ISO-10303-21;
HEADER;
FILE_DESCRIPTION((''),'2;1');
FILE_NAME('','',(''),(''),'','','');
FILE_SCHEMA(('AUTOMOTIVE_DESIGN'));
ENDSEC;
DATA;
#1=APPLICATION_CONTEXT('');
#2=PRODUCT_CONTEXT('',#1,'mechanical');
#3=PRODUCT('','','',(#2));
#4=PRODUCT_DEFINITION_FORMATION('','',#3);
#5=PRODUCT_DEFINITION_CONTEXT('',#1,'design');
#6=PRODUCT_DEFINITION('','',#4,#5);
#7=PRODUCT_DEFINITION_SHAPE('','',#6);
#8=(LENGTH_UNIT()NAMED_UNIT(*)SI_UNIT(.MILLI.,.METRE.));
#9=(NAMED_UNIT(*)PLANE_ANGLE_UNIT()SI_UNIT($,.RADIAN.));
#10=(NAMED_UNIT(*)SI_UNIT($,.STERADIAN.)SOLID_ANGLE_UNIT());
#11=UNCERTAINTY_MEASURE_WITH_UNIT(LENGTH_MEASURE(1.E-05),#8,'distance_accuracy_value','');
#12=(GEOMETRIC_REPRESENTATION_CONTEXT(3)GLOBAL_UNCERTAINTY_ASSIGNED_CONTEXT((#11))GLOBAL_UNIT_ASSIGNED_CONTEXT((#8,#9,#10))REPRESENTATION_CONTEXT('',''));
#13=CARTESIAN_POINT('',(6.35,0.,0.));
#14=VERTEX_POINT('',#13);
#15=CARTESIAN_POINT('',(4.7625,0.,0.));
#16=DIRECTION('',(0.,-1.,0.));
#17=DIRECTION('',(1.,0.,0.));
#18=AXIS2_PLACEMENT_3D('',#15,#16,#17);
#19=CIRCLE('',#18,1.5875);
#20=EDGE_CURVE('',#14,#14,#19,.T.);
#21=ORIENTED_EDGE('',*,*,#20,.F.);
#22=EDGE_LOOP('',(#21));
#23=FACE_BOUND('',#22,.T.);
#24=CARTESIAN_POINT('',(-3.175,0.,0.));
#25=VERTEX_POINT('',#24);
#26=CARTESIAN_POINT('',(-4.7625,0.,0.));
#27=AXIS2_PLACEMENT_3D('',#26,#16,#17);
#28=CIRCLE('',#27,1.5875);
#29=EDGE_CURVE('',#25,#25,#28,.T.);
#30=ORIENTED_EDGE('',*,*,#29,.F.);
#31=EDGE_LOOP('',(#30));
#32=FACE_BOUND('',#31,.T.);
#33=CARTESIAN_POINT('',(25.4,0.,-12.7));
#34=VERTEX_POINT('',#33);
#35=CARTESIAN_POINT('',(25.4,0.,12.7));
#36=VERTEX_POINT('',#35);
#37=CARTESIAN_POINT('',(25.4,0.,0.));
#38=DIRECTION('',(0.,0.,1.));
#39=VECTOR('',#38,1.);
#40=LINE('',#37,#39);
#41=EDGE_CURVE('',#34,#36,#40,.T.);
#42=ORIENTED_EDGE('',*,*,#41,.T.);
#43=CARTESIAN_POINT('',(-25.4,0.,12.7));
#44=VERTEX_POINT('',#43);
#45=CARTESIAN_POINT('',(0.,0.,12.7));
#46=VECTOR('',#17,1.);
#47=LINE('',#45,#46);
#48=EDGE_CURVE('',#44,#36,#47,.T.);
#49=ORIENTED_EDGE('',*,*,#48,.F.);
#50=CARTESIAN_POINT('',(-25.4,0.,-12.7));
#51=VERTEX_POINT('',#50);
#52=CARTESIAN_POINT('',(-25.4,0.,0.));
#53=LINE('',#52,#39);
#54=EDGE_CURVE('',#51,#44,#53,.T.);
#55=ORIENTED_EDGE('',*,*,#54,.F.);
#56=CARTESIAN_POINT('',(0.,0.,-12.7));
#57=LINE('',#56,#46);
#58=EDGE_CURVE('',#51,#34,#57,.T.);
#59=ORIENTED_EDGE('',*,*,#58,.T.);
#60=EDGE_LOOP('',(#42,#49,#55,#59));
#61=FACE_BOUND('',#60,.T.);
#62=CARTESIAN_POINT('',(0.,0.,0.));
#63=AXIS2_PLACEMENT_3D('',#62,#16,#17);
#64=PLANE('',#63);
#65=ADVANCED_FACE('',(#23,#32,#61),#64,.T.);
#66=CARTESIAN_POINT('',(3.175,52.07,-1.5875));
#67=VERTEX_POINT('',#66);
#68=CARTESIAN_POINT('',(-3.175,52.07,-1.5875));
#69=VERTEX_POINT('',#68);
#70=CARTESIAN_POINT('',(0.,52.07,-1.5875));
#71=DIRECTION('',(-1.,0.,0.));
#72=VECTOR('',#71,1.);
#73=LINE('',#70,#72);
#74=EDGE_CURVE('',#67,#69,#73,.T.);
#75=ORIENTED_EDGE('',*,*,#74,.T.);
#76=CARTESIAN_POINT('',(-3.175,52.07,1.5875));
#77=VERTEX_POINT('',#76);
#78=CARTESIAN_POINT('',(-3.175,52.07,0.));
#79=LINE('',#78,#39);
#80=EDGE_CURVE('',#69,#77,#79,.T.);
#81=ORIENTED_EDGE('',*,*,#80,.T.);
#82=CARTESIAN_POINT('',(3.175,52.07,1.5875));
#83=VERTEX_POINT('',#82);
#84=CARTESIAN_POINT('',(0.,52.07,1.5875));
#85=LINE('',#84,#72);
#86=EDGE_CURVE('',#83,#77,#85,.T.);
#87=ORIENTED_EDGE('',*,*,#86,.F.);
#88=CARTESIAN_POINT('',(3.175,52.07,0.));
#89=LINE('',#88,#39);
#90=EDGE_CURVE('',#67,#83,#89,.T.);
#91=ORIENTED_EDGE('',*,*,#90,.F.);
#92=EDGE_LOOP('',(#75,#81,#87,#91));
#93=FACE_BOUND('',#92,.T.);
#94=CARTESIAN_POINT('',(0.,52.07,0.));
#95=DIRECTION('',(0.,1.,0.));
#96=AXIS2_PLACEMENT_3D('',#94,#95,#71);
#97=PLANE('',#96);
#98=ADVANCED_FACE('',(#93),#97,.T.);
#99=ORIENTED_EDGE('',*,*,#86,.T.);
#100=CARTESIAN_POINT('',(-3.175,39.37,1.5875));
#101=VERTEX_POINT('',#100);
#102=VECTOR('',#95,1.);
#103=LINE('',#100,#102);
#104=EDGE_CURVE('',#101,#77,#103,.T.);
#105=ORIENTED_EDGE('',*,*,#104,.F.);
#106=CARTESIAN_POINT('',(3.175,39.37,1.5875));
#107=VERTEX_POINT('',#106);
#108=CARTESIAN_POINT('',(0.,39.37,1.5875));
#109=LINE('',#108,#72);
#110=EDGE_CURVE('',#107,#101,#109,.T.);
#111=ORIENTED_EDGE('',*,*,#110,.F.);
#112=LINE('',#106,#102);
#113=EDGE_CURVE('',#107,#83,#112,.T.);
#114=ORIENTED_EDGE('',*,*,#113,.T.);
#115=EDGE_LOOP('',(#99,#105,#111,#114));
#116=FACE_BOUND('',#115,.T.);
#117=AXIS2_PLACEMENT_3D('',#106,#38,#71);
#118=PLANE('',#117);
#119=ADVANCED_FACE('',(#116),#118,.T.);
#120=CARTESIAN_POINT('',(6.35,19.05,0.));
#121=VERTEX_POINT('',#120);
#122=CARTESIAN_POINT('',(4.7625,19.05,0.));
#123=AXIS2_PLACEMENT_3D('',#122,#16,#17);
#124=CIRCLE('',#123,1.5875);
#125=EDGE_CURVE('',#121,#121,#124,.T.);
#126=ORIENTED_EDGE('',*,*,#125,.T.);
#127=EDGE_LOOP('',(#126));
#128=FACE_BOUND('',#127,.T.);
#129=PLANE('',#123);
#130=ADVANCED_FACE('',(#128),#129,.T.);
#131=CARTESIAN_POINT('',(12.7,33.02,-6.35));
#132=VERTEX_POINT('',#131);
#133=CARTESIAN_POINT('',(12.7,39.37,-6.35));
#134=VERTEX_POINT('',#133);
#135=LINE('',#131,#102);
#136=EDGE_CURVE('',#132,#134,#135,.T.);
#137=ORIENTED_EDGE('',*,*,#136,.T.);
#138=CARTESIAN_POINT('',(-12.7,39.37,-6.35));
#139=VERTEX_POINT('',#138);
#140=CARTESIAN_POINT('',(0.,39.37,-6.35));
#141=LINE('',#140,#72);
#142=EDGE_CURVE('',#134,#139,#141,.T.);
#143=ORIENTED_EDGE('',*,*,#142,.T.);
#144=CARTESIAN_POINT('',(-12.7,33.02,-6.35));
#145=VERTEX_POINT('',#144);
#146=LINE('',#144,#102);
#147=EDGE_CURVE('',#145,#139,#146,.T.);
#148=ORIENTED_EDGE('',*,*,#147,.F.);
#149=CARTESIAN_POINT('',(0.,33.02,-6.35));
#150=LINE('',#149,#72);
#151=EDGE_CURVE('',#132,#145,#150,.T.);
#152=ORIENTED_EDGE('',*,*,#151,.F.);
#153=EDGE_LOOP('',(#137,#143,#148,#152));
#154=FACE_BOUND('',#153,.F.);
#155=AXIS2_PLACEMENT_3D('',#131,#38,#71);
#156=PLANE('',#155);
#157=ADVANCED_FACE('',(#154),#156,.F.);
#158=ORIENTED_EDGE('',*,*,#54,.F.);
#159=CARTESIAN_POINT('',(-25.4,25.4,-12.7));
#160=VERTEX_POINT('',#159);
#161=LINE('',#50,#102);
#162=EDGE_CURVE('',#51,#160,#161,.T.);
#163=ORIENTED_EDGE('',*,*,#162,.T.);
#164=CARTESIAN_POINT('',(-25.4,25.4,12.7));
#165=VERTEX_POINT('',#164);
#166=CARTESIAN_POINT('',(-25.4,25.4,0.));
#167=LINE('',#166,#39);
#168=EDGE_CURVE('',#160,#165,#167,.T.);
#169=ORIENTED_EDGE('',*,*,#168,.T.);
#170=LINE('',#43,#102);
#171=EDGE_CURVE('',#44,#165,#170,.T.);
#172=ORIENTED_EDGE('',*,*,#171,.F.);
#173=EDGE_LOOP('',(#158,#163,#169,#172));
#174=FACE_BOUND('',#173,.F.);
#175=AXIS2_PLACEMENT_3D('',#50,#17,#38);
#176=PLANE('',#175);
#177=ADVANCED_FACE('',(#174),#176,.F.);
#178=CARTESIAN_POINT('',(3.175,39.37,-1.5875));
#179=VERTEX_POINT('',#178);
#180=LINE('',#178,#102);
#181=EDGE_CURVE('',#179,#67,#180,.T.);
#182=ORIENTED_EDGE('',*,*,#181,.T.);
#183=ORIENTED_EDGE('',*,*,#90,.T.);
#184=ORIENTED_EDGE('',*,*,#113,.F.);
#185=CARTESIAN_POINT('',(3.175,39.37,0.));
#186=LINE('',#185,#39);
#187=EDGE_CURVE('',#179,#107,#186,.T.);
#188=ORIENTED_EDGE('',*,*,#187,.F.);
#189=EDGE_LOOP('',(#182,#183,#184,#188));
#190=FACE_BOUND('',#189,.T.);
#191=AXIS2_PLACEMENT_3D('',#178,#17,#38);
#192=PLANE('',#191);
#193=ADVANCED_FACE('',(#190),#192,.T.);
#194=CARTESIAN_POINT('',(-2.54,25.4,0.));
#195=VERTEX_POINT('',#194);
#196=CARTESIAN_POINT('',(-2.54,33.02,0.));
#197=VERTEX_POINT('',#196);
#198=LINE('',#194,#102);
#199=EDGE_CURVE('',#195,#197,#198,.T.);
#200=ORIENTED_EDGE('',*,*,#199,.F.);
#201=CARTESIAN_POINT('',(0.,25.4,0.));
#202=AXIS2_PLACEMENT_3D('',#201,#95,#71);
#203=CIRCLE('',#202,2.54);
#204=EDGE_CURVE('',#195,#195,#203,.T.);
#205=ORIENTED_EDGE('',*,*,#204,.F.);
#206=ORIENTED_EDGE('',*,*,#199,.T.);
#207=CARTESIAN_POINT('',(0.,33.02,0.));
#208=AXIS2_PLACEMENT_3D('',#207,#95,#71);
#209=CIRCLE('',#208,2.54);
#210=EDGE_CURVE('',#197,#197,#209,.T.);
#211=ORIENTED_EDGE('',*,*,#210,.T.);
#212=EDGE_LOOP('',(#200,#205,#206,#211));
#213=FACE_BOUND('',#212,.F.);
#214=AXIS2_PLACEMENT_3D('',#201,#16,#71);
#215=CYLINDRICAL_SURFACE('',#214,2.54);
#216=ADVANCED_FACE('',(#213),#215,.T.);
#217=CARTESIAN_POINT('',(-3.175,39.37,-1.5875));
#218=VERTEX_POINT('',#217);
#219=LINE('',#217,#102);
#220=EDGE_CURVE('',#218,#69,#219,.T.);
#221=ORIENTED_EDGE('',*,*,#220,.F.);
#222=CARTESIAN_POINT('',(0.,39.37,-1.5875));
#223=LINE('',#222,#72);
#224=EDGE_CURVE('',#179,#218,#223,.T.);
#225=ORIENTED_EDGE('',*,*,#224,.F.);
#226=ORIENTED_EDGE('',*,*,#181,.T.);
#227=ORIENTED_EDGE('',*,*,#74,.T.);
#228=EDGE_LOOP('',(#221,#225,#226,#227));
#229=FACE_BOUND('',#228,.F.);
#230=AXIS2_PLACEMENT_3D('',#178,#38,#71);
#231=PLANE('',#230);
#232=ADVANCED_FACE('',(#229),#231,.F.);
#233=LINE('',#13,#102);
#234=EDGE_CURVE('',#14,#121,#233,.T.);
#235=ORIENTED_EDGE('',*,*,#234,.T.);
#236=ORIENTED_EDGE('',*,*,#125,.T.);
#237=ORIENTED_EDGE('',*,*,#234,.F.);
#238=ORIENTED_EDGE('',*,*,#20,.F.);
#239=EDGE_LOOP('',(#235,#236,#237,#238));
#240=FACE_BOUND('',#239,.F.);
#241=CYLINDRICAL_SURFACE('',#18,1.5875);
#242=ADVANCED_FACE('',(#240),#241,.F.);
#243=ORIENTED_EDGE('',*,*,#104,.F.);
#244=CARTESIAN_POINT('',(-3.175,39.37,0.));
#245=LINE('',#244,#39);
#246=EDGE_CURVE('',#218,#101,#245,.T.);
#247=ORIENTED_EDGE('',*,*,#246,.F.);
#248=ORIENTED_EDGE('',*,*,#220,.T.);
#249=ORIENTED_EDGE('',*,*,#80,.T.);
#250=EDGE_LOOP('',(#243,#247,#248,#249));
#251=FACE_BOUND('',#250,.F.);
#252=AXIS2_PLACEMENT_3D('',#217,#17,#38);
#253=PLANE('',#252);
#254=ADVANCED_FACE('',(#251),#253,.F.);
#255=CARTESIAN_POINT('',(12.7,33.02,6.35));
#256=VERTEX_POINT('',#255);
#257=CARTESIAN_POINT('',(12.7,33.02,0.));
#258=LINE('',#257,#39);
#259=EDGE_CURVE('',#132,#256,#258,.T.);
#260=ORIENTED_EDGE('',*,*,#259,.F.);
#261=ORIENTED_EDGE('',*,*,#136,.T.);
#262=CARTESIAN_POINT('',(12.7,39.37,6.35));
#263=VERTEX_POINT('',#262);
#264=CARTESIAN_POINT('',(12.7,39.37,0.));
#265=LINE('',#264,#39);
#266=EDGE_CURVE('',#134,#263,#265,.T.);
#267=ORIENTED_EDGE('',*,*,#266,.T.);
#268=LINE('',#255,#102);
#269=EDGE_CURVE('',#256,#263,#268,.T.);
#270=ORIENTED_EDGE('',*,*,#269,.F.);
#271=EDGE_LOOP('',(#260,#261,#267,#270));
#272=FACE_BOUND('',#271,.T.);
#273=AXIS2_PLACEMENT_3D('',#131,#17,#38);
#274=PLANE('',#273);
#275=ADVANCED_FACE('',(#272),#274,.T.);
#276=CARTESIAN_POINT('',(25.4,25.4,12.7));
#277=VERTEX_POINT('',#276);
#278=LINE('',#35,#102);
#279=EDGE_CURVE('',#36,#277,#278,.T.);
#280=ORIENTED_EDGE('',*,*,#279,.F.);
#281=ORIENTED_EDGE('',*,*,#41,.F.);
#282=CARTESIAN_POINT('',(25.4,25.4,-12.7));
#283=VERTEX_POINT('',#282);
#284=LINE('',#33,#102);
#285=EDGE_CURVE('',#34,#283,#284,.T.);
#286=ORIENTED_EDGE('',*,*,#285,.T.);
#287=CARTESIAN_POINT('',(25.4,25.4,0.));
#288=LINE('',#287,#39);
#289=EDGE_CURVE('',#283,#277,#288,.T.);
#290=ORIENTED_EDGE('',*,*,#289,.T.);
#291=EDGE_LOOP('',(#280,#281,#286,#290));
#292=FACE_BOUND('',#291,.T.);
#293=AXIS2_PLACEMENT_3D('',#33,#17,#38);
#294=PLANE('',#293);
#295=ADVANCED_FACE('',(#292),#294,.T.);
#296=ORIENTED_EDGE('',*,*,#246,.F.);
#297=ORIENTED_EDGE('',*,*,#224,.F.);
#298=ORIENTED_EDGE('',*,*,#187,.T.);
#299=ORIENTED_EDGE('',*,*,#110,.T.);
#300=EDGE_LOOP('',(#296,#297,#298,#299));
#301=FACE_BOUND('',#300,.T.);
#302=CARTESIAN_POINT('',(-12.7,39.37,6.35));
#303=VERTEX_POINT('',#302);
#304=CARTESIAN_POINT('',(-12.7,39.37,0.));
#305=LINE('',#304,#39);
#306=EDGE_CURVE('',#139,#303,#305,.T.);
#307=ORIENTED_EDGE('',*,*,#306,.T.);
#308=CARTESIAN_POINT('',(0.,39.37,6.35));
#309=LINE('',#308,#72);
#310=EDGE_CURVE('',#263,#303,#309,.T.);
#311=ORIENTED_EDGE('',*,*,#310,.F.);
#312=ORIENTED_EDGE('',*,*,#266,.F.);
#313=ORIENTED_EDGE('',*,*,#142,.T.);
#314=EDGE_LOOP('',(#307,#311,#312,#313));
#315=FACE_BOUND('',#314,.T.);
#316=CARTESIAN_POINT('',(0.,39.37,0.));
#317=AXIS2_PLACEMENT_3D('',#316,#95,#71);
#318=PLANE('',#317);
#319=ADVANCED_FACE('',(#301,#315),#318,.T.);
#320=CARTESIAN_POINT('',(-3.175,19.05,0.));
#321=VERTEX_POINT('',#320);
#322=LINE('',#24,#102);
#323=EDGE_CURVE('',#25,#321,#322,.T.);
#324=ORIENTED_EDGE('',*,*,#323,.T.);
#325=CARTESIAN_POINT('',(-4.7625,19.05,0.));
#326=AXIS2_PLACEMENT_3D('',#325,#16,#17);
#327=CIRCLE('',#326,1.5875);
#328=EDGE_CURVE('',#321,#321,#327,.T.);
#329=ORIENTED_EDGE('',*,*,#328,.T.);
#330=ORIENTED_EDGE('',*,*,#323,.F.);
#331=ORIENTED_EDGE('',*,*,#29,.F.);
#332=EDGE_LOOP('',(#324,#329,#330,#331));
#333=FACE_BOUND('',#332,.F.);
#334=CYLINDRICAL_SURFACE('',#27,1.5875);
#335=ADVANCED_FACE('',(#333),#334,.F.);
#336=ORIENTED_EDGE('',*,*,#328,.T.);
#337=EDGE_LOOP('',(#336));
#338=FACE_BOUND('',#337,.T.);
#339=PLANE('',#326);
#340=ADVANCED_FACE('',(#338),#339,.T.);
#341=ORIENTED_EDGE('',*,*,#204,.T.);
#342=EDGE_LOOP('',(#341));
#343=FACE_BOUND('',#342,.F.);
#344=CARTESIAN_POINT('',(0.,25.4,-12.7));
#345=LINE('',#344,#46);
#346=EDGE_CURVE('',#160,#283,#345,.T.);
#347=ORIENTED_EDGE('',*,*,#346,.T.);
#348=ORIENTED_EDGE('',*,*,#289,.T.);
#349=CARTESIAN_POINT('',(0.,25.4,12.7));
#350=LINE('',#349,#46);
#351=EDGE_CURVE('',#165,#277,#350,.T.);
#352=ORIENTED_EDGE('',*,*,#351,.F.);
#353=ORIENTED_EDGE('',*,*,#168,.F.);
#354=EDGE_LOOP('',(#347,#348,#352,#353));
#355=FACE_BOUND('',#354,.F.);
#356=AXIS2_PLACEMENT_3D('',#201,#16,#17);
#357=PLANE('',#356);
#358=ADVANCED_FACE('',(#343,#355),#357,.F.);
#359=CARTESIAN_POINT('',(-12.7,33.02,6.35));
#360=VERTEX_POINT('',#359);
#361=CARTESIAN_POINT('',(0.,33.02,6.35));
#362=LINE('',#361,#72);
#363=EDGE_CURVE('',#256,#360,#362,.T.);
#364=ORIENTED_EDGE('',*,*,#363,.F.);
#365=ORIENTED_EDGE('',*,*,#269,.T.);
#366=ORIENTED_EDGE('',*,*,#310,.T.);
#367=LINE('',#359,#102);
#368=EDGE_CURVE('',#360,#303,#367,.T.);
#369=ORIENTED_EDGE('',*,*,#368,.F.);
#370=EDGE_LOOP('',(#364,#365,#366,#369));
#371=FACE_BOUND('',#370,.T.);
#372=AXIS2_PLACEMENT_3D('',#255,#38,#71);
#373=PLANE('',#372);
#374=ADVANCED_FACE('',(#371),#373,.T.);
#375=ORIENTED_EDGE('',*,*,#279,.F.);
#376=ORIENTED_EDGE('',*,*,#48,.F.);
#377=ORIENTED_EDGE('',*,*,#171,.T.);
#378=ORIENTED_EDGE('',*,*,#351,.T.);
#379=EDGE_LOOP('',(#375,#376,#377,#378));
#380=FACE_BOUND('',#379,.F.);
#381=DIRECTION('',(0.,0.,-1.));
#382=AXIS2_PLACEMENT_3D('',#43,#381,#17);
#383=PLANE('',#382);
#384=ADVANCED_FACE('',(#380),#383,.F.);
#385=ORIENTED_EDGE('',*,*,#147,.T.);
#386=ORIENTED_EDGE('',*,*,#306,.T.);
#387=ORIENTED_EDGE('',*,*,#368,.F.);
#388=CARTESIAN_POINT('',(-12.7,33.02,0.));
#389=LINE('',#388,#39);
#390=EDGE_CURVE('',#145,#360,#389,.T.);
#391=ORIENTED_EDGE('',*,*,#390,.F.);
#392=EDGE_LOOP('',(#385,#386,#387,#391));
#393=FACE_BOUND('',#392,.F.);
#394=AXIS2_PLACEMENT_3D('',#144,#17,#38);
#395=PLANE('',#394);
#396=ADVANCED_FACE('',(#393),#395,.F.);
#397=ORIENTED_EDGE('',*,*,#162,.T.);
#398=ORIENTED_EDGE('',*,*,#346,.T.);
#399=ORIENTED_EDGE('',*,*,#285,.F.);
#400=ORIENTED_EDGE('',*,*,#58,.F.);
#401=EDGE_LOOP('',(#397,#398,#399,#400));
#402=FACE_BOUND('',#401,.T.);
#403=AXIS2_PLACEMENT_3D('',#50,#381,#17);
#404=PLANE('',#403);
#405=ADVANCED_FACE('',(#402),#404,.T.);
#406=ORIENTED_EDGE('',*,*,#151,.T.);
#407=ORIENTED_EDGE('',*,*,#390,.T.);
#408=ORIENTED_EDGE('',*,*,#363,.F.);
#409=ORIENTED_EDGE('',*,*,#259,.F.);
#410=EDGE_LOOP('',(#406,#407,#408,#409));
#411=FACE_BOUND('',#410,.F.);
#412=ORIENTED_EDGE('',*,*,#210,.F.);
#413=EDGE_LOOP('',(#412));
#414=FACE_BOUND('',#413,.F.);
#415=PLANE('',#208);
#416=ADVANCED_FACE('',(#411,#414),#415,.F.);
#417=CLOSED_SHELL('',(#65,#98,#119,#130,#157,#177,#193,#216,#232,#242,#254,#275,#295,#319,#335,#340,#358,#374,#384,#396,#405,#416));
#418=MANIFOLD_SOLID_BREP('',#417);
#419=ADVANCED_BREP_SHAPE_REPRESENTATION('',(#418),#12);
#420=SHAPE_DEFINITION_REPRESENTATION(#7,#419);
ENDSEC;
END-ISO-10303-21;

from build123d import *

# Parameters (mm, degrees)
F0_W     = 50.8
F0_H     = 25.4
F0_R     = 1.5875
F1_DEPTH = 25.4
F2_R     = 2.54
F3_DEPTH = 7.62
F4_W     = 25.4
F4_H     = 12.7
F5_DEPTH = 6.35
F6_W     = 6.35
F6_H     = 3.175
F7_DEPTH = 12.7
F8_DEPTH = 19.05


with BuildPart() as f1:
    # F0 (on Front) → F1 (new body)
    with BuildSketch(Plane.XZ):
        Rectangle(F0_W, F0_H)
        with Locations((-4.7625, 0)):
            Circle(F0_R, mode=Mode.SUBTRACT)
        with Locations((4.7625, 0)):
            Circle(F0_R, mode=Mode.SUBTRACT)
        with Locations((4.7625, 0)):
            Circle(F0_R)
        with Locations((-4.7625, 0)):
            Circle(F0_R)
    extrude(amount=-F1_DEPTH)

    # F2 (on face) → F3 (join)
    with BuildSketch(Plane(origin=(0, 25.4, 0), x_dir=(-1, 0, 0), z_dir=(0, 1, 0))):
        Circle(F2_R)
    extrude(amount=F3_DEPTH)

    # F4 (on face) → F5 (join)
    with BuildSketch(Plane(origin=(0, 33.02, 0), x_dir=(-1, 0, 0), z_dir=(0, 1, 0))):
        Rectangle(F4_W, F4_H)
    extrude(amount=F5_DEPTH)

    # F6 (on face) → F7 (join)
    with BuildSketch(Plane(origin=(0, 39.37, 0), x_dir=(-1, 0, 0), z_dir=(0, 1, 0))):
        Rectangle(F6_W, F6_H)
    extrude(amount=F7_DEPTH)

    # F0 (on Front) → F8 (cut)
    with BuildSketch(Plane.XZ):
        with Locations((4.7625, 0)):
            Circle(F0_R)
        with Locations((-4.7625, 0)):
            Circle(F0_R)
    extrude(amount=-F8_DEPTH, mode=Mode.SUBTRACT)


solid = f1.part
